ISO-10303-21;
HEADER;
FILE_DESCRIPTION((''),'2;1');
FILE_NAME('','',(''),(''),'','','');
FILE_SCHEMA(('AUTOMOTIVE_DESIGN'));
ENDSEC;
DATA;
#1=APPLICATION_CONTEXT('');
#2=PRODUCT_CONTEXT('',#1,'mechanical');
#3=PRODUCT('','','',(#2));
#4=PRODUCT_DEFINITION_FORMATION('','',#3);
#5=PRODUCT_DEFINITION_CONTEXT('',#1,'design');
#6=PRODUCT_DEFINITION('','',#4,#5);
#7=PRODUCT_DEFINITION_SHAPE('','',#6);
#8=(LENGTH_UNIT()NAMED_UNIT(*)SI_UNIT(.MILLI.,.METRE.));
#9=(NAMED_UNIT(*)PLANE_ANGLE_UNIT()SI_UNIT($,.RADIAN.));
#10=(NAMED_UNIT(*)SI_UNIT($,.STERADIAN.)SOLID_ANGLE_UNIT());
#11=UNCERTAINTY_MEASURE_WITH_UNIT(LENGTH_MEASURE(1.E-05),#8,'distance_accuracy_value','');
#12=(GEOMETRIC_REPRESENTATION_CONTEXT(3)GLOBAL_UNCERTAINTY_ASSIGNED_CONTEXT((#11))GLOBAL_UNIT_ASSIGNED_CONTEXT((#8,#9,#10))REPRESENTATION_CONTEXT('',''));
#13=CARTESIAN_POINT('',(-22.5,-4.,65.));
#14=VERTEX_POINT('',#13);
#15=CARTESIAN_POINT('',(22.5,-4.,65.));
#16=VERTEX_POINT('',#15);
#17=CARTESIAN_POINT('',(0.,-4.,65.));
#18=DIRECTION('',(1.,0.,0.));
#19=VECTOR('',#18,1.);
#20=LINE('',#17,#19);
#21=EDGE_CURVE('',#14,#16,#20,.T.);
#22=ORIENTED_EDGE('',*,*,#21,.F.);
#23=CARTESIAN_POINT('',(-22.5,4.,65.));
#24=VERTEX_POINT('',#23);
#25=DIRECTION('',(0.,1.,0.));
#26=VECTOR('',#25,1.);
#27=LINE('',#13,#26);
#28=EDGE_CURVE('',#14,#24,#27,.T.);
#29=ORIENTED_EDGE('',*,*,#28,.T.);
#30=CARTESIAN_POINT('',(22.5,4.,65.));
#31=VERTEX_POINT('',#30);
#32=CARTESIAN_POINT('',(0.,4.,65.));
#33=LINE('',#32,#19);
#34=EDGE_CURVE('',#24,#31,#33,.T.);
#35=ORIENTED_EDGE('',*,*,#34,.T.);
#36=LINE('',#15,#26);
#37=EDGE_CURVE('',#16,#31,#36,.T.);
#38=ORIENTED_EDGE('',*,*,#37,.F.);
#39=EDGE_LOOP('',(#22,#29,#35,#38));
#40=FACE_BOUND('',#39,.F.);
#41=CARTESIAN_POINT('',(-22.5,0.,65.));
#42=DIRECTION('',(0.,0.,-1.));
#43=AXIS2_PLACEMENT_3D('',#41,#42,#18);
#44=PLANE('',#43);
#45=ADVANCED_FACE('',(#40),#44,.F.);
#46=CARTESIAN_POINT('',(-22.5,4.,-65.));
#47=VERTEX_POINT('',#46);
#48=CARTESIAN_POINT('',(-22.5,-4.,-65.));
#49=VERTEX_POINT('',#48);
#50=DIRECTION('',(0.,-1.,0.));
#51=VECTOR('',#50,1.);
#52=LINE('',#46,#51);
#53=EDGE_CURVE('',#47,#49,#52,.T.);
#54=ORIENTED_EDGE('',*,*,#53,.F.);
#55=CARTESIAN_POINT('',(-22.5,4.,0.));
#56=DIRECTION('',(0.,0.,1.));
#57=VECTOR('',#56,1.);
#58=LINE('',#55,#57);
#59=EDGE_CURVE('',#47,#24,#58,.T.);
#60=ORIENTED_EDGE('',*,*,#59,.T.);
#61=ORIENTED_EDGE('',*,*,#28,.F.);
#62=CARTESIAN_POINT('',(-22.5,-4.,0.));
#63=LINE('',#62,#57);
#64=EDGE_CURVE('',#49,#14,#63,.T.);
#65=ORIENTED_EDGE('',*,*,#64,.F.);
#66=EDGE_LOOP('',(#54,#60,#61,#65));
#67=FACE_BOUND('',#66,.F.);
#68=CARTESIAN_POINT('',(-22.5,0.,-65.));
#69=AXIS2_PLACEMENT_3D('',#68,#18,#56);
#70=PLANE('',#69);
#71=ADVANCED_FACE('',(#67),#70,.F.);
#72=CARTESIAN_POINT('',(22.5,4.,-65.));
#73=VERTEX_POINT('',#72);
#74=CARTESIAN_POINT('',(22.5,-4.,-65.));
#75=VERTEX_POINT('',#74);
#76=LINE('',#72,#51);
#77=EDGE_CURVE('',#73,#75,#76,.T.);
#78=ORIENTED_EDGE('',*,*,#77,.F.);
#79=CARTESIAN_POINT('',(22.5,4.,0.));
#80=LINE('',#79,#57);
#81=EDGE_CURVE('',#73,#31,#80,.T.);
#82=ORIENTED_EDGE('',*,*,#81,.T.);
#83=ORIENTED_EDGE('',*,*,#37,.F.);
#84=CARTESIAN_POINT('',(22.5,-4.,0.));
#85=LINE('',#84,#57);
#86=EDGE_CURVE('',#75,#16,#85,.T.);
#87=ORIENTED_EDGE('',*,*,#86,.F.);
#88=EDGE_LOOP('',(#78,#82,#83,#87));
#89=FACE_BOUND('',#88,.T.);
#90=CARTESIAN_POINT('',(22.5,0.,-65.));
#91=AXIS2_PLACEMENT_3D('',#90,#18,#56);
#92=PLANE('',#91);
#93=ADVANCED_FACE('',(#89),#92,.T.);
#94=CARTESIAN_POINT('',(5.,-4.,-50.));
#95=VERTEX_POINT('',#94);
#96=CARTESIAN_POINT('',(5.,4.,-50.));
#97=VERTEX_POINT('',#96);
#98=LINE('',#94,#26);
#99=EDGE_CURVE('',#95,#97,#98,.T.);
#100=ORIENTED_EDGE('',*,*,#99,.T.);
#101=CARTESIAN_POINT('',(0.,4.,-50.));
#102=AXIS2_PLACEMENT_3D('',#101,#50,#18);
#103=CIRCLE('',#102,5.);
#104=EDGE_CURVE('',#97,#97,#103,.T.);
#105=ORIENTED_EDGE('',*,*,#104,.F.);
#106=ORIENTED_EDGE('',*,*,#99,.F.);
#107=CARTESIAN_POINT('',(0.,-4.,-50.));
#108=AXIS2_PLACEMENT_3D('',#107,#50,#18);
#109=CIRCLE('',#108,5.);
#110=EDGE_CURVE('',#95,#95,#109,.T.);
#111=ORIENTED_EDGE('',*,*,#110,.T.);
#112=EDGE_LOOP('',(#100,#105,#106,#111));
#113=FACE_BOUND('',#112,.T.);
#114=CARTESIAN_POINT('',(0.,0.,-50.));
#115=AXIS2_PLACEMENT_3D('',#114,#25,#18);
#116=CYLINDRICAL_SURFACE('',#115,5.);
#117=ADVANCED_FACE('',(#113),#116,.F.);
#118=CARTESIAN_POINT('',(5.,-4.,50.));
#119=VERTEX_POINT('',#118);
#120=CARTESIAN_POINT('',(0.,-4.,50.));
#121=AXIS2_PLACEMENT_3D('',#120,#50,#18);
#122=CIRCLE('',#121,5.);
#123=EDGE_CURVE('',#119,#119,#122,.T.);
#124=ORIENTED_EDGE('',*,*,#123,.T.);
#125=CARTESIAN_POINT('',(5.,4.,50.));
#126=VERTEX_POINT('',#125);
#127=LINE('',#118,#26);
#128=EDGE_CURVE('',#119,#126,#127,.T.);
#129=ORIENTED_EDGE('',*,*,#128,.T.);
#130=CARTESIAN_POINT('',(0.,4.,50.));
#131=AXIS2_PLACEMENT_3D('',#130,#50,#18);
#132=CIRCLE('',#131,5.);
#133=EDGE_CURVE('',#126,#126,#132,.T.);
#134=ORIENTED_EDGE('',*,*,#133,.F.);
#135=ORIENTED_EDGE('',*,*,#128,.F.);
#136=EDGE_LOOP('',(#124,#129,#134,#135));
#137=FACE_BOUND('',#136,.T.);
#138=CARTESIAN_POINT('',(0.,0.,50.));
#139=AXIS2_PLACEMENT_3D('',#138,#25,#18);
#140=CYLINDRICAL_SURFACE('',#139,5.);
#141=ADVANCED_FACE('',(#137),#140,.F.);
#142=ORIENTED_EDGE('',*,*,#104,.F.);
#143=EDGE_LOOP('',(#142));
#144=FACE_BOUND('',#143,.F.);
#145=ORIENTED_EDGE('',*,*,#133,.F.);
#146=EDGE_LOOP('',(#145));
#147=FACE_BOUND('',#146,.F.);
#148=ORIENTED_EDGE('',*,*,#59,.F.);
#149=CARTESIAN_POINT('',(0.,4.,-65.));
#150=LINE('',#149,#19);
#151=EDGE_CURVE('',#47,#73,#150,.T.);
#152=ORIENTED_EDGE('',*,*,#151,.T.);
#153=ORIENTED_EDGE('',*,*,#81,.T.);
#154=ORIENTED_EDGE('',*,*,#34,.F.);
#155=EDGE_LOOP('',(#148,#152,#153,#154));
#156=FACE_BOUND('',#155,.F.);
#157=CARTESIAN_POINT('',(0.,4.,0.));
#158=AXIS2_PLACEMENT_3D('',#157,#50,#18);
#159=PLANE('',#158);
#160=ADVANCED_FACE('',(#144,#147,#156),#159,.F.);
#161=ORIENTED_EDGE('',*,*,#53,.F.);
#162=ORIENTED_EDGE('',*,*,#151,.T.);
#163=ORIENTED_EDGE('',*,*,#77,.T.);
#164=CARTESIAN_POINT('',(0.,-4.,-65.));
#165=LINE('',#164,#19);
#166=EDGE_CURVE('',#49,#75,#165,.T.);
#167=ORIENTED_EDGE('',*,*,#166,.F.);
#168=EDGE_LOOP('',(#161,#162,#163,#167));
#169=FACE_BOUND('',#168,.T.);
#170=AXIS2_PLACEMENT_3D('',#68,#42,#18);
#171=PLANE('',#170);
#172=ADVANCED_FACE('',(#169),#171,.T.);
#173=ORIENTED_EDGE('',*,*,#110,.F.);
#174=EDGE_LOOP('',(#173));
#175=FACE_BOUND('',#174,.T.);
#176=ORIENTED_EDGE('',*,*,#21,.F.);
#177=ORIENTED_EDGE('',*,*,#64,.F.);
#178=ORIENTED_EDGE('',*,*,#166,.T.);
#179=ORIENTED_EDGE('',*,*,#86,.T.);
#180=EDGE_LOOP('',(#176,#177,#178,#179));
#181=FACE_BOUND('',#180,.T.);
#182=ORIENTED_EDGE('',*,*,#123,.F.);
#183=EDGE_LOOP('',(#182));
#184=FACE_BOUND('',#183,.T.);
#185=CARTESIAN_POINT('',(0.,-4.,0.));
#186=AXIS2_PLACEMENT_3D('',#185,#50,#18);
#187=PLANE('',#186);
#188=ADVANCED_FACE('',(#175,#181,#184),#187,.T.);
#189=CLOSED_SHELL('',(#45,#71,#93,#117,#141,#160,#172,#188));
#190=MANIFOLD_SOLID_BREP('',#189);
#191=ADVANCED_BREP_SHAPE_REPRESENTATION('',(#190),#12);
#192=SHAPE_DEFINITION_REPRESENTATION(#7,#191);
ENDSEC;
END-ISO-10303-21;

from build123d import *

# Parameters (mm, degrees)
F0_W     = 45
F0_H     = 130
F0_R     = 5
F1_DEPTH = 4


with BuildPart() as f1:
    # F0 (on Front) → F1 (new body, symmetric)
    with BuildSketch(Plane.XZ):
        Rectangle(F0_W, F0_H)
        with Locations((0, -50)):
            Circle(F0_R, mode=Mode.SUBTRACT)
        with Locations((0, 50)):
            Circle(F0_R, mode=Mode.SUBTRACT)
    extrude(amount=F1_DEPTH, both=True)


solid = f1.part
